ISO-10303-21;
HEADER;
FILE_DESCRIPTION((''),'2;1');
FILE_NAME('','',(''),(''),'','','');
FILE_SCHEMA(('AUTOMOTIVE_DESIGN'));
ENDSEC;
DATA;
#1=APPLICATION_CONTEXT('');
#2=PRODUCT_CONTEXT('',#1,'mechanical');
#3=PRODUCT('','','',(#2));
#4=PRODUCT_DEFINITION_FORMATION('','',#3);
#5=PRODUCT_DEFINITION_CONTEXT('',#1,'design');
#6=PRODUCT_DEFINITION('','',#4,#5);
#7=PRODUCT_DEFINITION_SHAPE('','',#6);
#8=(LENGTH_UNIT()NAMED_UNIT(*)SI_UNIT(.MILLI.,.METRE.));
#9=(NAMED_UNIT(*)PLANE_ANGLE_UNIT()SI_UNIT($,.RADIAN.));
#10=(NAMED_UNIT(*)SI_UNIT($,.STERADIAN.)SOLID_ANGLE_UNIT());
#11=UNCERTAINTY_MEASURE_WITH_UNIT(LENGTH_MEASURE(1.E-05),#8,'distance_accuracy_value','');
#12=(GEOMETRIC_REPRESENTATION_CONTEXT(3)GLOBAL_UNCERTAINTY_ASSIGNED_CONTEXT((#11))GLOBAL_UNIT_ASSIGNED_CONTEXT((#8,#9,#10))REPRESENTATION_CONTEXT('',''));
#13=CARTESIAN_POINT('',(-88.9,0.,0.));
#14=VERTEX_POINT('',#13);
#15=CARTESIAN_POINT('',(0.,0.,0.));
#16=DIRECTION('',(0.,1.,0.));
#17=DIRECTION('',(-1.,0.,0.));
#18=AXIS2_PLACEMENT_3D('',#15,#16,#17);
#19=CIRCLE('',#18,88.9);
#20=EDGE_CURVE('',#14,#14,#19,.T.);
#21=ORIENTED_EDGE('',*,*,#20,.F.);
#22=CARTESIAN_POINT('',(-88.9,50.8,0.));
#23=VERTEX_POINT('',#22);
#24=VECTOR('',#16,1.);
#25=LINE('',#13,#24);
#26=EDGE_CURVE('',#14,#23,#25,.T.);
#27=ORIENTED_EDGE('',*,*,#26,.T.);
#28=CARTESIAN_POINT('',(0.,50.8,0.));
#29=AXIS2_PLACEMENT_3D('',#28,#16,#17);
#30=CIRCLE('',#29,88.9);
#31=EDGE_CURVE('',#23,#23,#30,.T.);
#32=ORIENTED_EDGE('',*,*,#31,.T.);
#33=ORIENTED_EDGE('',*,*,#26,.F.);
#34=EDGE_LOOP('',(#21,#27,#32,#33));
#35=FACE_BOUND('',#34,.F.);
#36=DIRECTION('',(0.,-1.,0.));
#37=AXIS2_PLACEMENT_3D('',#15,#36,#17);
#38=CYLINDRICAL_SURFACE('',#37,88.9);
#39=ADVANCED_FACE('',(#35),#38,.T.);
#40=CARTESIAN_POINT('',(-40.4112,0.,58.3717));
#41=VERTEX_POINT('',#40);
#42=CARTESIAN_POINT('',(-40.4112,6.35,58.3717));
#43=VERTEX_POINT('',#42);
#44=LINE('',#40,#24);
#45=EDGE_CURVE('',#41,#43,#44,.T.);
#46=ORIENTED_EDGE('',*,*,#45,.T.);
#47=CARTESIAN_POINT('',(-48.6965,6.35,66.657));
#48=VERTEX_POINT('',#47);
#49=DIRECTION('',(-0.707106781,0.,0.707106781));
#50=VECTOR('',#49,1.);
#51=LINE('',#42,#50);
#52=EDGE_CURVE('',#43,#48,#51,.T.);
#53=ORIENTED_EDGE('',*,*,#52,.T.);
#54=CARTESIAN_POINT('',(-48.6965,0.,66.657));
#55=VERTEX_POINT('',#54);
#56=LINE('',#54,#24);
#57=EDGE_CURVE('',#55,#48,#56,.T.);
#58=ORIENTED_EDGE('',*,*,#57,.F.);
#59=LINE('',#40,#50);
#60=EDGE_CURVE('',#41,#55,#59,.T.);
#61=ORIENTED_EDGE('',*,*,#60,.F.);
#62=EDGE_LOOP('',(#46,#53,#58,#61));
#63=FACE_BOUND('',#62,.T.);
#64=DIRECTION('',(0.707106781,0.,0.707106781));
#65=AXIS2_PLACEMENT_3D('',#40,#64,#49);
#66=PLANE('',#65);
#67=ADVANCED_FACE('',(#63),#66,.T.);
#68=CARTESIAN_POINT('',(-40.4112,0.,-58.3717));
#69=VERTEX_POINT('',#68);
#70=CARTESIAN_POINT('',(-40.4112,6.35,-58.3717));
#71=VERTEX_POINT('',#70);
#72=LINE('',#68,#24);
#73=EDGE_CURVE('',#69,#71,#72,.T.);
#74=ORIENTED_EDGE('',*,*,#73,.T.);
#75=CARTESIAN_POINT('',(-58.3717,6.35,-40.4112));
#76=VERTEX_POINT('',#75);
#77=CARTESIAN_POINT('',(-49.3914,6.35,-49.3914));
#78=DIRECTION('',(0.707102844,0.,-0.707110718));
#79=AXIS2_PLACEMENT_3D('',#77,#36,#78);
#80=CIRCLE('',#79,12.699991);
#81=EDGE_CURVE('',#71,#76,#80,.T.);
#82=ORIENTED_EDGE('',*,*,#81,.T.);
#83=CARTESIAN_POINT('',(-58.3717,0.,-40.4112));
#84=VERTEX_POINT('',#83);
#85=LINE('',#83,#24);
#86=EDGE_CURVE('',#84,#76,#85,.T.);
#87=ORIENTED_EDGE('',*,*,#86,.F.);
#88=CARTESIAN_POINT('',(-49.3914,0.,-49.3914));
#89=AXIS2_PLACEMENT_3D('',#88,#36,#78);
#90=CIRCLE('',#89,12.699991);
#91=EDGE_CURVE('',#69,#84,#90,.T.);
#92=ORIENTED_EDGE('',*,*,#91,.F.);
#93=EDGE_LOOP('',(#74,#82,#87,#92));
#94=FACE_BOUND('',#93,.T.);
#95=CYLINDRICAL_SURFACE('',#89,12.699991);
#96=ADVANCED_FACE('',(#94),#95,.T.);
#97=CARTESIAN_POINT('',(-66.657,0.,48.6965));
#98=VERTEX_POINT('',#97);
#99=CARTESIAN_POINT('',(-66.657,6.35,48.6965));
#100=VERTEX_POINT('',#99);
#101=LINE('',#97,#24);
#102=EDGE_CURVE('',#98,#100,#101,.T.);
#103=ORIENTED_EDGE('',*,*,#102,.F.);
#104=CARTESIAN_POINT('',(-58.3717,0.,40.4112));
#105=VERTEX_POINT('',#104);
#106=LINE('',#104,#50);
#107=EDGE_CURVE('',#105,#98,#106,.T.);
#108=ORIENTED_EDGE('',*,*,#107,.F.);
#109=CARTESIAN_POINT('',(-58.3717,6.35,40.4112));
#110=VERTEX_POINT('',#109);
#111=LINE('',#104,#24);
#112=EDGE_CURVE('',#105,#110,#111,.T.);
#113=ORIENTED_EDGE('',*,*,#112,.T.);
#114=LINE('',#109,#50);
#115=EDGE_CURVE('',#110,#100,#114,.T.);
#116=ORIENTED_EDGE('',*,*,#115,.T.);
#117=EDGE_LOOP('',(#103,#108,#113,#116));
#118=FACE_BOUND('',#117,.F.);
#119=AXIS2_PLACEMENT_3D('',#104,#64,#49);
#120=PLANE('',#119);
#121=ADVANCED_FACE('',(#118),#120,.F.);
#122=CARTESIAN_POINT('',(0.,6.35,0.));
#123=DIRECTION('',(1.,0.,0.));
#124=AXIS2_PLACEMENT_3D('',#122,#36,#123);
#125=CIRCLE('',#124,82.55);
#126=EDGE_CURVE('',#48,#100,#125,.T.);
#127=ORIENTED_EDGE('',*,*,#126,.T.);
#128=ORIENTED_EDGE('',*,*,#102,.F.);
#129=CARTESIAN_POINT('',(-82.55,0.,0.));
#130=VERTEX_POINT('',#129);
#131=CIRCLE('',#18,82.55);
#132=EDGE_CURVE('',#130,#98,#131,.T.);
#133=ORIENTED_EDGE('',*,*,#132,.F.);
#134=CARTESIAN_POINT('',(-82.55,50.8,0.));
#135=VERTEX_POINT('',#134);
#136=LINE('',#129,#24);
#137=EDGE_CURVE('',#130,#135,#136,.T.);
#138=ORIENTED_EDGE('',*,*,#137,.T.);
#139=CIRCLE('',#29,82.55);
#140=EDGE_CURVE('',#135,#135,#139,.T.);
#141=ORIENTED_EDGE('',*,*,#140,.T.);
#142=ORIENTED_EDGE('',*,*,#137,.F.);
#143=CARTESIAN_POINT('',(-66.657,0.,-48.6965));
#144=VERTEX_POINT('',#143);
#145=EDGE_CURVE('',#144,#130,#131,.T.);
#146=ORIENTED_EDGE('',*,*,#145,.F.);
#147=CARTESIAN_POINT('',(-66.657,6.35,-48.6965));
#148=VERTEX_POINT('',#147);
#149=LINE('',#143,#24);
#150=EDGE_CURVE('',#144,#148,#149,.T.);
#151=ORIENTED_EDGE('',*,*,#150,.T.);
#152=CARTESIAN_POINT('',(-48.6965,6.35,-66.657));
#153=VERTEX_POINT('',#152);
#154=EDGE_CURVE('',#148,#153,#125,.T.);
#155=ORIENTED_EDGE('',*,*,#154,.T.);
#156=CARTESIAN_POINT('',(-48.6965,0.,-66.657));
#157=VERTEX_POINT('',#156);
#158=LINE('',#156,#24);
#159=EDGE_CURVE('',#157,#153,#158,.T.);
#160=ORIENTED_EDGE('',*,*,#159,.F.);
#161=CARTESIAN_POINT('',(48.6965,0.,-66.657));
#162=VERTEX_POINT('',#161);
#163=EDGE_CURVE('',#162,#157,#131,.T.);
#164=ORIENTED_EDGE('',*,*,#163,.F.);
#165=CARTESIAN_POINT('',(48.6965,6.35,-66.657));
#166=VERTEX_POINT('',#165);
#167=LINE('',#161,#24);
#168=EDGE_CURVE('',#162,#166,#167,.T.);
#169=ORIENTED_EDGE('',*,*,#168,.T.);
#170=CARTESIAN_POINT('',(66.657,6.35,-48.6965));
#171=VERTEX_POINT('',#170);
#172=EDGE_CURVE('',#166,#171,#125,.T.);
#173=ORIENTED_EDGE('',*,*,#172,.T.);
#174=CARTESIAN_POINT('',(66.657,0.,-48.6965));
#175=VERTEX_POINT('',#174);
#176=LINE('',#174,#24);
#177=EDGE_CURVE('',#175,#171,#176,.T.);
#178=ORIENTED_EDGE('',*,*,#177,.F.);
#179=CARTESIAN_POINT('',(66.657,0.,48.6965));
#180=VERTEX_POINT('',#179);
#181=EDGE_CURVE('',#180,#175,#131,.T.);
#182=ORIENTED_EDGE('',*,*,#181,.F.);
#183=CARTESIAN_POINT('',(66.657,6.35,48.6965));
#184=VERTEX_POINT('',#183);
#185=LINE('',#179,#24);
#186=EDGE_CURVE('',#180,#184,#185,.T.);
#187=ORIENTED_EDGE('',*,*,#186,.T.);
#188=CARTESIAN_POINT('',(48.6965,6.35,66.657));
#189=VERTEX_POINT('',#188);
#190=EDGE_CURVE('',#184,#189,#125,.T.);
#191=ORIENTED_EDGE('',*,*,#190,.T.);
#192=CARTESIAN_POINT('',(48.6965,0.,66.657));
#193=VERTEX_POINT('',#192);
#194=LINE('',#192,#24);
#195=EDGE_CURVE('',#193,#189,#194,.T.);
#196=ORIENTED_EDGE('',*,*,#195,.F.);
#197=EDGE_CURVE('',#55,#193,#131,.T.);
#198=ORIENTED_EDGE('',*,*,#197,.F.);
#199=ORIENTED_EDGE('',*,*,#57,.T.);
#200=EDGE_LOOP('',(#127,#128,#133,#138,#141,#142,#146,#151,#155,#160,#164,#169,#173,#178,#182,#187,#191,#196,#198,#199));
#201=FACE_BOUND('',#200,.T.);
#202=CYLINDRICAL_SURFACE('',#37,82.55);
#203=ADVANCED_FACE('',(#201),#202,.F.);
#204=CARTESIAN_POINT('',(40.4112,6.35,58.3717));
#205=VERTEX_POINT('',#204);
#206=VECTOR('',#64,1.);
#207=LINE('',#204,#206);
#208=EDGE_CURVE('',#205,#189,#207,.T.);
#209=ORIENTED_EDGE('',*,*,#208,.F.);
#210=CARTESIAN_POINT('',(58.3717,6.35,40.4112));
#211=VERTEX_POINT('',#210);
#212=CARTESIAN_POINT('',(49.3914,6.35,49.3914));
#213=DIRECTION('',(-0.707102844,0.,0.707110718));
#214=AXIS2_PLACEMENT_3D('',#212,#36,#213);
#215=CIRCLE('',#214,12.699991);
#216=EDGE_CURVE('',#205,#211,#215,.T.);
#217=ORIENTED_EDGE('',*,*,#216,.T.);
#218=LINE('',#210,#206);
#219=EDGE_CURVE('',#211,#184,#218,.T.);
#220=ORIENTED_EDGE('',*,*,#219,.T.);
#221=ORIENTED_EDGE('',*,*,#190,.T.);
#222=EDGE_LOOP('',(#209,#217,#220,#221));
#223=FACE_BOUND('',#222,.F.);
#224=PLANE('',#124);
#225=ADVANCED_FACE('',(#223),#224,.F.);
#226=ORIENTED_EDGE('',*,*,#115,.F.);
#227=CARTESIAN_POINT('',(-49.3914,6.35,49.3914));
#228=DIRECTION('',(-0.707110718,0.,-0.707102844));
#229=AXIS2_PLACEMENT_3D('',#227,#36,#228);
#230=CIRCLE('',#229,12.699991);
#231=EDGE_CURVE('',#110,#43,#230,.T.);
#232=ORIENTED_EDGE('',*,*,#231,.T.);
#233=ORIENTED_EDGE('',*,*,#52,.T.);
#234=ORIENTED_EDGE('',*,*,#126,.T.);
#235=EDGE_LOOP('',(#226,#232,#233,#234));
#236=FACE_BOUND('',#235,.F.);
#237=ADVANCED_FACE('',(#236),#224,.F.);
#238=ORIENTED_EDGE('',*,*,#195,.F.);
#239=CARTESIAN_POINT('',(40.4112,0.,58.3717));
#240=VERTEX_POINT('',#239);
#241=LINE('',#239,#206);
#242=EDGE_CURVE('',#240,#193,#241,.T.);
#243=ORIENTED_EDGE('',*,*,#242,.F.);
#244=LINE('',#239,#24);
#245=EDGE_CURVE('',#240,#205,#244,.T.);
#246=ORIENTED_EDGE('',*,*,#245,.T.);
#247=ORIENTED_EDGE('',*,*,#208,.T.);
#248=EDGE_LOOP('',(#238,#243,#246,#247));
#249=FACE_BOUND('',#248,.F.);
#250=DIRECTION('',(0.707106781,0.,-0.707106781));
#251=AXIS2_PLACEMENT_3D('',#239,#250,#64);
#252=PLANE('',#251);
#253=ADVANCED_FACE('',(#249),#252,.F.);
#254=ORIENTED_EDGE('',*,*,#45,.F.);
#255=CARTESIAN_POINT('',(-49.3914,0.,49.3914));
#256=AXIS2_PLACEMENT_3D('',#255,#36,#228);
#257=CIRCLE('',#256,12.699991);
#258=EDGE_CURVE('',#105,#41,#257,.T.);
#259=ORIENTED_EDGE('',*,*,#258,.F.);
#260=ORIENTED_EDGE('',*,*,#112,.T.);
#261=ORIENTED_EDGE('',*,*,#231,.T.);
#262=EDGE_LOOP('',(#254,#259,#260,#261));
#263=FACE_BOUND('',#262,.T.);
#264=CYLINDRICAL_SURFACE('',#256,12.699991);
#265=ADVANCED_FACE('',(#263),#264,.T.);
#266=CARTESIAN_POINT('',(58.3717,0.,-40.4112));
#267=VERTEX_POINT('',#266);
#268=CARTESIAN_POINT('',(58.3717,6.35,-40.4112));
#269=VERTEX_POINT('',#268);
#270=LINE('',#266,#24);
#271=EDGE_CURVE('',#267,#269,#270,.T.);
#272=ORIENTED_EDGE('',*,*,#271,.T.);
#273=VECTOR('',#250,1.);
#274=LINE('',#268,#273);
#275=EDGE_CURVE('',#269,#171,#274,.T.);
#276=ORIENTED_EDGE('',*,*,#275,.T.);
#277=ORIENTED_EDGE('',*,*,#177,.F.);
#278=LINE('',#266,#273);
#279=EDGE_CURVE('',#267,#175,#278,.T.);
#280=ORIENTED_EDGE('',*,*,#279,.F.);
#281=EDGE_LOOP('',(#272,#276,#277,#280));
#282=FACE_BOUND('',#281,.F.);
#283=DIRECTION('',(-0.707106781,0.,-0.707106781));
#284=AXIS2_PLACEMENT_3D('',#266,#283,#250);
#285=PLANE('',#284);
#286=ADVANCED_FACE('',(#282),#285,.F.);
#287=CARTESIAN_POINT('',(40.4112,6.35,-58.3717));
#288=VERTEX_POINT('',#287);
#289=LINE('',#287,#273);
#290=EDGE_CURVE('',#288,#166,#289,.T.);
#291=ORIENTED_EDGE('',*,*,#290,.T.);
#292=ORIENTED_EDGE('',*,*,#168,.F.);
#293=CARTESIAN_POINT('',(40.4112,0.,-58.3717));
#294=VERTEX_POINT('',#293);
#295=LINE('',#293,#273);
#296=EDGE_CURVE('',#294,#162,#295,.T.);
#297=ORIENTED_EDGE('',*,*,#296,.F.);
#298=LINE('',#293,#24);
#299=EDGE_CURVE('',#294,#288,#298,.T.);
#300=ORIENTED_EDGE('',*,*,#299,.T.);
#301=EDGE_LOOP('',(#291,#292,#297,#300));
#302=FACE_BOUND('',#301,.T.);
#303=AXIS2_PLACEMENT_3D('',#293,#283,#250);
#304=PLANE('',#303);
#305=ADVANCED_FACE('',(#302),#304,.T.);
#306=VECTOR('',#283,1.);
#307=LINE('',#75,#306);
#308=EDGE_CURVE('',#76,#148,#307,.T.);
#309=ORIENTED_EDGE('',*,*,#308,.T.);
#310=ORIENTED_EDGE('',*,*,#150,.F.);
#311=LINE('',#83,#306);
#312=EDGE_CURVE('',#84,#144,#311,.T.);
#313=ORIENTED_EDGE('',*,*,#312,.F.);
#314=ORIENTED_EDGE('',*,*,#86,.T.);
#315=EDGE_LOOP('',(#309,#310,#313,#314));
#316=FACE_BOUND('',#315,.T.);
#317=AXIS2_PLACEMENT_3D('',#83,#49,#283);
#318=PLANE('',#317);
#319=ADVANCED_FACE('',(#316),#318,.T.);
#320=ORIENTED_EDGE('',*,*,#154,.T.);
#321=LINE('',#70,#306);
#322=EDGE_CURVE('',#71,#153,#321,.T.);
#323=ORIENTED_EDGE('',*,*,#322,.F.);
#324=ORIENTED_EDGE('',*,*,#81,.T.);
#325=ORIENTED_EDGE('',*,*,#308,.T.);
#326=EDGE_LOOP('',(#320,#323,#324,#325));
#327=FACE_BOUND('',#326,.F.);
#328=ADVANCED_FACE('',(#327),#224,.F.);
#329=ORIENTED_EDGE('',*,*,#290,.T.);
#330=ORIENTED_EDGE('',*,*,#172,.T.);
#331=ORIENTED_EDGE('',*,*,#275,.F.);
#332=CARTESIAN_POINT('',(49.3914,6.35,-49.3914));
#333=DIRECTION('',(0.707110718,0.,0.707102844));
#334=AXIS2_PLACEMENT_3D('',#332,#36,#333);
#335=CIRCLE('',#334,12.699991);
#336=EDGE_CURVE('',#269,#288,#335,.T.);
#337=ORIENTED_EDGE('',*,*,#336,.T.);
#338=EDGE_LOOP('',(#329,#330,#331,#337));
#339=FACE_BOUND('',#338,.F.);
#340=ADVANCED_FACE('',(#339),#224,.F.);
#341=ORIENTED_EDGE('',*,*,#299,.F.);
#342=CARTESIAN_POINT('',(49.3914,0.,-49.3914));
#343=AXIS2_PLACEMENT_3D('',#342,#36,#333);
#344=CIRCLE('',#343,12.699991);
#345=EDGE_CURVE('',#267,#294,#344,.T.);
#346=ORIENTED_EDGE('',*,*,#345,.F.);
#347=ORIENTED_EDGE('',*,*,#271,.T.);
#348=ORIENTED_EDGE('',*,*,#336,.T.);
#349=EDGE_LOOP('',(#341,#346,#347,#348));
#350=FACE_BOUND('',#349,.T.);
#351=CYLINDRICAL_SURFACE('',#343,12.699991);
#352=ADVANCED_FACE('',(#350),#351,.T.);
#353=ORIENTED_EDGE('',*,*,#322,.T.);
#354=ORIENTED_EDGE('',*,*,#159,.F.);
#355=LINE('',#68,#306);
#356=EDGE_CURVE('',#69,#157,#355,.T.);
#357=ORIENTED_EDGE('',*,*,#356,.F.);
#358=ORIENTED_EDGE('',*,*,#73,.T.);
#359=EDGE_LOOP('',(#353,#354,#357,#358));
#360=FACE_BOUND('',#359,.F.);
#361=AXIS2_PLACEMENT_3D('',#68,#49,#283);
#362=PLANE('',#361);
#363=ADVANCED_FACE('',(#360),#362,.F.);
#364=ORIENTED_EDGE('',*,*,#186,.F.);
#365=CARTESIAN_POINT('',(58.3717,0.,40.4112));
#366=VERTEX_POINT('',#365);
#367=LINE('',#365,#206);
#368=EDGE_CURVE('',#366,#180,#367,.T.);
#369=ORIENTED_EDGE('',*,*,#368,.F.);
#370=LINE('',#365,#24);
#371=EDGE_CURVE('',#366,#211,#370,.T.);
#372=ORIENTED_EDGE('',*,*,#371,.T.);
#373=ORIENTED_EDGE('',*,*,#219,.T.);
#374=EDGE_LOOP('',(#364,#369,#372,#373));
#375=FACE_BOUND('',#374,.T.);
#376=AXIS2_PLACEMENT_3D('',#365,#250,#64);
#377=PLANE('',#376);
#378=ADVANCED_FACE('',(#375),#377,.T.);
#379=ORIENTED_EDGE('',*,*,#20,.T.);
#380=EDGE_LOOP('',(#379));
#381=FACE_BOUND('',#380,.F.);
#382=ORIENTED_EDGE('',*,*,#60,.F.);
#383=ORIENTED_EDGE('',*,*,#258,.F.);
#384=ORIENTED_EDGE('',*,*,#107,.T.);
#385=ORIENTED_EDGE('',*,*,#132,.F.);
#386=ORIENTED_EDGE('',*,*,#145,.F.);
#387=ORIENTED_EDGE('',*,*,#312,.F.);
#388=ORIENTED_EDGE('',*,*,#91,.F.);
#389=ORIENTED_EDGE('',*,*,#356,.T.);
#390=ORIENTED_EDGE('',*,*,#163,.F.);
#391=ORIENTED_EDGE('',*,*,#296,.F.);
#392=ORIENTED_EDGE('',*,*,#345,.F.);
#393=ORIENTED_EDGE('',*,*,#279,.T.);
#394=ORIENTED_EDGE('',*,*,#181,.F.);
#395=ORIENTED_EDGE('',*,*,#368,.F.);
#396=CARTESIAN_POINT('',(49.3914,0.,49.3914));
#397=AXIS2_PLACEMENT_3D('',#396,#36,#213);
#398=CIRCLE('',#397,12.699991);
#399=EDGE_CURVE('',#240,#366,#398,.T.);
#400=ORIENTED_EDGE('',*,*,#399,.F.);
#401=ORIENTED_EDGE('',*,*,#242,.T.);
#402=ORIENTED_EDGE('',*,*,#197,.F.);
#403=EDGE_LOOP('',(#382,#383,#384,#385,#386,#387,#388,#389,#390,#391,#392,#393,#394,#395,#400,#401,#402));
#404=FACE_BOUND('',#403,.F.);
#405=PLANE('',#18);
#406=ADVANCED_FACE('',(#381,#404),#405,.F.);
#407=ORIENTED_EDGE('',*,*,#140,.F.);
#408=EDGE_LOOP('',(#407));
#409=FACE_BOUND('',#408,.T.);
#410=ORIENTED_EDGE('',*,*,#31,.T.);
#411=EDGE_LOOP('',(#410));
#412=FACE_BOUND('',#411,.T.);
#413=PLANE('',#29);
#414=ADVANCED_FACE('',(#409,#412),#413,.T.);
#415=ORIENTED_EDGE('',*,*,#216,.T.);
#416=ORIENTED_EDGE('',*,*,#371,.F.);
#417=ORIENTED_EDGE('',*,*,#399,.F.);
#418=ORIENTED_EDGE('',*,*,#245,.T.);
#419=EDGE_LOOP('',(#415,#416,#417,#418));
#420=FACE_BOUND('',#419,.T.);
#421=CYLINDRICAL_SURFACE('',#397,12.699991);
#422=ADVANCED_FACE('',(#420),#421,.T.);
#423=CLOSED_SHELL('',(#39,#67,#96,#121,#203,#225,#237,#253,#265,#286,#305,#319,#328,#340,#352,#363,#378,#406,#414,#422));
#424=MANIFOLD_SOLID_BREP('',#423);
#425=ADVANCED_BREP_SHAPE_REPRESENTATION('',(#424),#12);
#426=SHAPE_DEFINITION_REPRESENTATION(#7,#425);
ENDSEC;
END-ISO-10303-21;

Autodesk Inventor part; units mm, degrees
ref_plane "YZ Plane" through (0, 0, 0) normal (1, 0, 0) x (0, 1, 0)
ref_plane "XZ Plane" through (0, 0, 0) normal (0, 1, 0) x (-1, 0, 0)
ref_plane "XY Plane" through (0, 0, 0) normal (0, 0, 1) x (1, 0, 0)
sketch "Sketch1" plane through (0, 0, 0) normal (0, 1, 0) x (-1, 0, 0)
  circle A0 centre (0, 0) radius 82.55
  circle A1 centre (0, 0) radius 88.9
  dimension "d0" = 165.1
  dimension "d1" = 177.8
extrude "Extrusion1" add sketch "Sketch1" along normal blind 50.8
sketch "Sketch2" plane through (0, 0, 0) normal (0, -1, 0) x (1, 0, 0)
  arc A0 (40.4112, 58.3717) -> (58.3717, 40.4112) centre (49.3914, 49.3914) ccw
  arc A1 (58.3717, -40.4112) -> (40.4112, -58.3717) centre (49.3914, -49.3914) ccw
  arc A2 (-40.4112, -58.3717) -> (-58.3717, -40.4112) centre (-49.3914, -49.3914) ccw
  arc A3 (-58.3717, 40.4112) -> (-40.4112, 58.3717) centre (-49.3914, 49.3914) ccw
  circle A4 centre (0, 0) radius 82.55 projected
  line L0 (-40.4112, 58.3717) -> (-48.6965, 66.657)
  line L1 (-58.3717, 40.4112) -> (-66.657, 48.6965)
  line L2 (58.3717, 40.4112) -> (66.657, 48.6965)
  line L3 (40.4112, 58.3717) -> (48.6965, 66.657)
  line L4 (58.3717, -40.4112) -> (66.657, -48.6965)
  line L5 (40.4112, -58.3717) -> (48.6965, -66.657)
  line L6 (-40.4112, -58.3717) -> (-48.6965, -66.657)
  line L7 (-58.3717, -40.4112) -> (-66.657, -48.6965)
  dimension "d4" = 25.4
extrude "Extrusion2" add sketch "Sketch2" against normal blind 6.35 contours L3 A4 L2 A0 | L0 A3 L1 A4 | A4 L5 A1 L4 | L7 A2 L6 A4
properties part number "aluminumMount" material "Aluminum 6061-AHC"
